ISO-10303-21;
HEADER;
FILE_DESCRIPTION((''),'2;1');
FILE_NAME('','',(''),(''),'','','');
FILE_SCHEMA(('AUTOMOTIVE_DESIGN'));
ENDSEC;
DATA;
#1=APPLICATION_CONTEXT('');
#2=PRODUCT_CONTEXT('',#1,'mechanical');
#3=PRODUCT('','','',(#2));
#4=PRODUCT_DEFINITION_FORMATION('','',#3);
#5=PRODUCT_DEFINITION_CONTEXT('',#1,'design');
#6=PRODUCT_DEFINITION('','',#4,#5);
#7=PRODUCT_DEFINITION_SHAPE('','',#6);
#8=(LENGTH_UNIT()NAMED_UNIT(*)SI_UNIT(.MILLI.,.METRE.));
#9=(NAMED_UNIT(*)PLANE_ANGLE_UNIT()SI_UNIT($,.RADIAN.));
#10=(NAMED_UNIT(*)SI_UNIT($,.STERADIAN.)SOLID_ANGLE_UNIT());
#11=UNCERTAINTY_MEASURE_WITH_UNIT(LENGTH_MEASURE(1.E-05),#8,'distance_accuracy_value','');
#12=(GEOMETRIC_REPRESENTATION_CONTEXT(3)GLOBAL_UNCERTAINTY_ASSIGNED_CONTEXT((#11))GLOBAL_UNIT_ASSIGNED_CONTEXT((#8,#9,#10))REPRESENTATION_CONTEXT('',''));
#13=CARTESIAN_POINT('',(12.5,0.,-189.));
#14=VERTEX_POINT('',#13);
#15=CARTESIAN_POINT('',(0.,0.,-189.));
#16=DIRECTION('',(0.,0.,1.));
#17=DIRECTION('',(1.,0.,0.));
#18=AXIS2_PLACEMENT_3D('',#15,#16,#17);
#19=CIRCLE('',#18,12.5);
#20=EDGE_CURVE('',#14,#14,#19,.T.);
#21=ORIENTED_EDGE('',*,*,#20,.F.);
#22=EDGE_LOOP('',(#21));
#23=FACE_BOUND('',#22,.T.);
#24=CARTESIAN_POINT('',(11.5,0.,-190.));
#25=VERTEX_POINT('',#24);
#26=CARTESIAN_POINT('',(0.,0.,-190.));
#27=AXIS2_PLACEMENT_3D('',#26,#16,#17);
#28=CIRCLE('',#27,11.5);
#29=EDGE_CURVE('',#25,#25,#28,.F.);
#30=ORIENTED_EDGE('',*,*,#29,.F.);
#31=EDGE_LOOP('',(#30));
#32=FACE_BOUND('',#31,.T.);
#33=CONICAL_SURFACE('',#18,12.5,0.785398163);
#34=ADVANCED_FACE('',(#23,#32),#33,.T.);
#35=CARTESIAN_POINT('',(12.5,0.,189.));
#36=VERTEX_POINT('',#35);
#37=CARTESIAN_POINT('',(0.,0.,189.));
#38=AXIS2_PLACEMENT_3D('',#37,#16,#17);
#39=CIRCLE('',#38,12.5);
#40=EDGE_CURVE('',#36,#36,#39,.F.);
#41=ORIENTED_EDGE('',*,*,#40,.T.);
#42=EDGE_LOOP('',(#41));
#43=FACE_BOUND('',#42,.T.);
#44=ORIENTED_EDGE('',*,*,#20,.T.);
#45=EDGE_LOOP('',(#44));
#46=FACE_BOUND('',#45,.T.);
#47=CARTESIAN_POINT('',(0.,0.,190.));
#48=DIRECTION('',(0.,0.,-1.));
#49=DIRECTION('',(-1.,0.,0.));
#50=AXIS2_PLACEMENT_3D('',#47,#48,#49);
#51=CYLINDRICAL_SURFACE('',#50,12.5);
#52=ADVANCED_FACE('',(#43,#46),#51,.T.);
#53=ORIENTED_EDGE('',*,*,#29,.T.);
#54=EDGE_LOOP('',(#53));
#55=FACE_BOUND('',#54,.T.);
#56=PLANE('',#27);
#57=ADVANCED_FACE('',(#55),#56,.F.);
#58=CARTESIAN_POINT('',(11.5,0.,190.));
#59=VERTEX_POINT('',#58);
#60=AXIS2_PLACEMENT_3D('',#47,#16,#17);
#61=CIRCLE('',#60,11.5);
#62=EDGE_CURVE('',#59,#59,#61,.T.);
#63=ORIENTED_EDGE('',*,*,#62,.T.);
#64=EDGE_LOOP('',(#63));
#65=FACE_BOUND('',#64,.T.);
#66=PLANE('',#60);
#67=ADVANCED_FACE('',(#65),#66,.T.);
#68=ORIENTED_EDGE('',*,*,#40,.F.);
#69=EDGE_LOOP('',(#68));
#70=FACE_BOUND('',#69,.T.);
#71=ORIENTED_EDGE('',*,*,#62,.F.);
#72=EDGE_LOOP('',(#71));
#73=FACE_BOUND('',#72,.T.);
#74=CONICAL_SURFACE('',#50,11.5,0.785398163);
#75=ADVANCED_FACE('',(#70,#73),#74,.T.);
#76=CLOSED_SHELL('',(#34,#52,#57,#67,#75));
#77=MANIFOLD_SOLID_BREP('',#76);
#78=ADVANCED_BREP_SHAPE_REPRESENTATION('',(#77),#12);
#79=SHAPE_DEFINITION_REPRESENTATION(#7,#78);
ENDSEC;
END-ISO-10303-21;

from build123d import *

# Parameters (mm, degrees)
SKETCH_1_R      = 12.5
EXTRUDE_1_DEPTH = 190
CHAMFER_1_SIZE  = 1


with BuildPart() as part:
    # Эскиз1 → Бобышка-Вытянуть1 (new, symmetric)
    with BuildSketch(Plane.XY):
        Circle(SKETCH_1_R)
    extrude(amount=EXTRUDE_1_DEPTH, both=True)

    # Фаска1
    chamfer_1_edges = [part.edges().sort_by_distance(p)[0] for p in [
        (-12.5, 0, -190),
        (-12.5, 0, 190),
    ]]
    chamfer(chamfer_1_edges, length=CHAMFER_1_SIZE)


solid = part.part
